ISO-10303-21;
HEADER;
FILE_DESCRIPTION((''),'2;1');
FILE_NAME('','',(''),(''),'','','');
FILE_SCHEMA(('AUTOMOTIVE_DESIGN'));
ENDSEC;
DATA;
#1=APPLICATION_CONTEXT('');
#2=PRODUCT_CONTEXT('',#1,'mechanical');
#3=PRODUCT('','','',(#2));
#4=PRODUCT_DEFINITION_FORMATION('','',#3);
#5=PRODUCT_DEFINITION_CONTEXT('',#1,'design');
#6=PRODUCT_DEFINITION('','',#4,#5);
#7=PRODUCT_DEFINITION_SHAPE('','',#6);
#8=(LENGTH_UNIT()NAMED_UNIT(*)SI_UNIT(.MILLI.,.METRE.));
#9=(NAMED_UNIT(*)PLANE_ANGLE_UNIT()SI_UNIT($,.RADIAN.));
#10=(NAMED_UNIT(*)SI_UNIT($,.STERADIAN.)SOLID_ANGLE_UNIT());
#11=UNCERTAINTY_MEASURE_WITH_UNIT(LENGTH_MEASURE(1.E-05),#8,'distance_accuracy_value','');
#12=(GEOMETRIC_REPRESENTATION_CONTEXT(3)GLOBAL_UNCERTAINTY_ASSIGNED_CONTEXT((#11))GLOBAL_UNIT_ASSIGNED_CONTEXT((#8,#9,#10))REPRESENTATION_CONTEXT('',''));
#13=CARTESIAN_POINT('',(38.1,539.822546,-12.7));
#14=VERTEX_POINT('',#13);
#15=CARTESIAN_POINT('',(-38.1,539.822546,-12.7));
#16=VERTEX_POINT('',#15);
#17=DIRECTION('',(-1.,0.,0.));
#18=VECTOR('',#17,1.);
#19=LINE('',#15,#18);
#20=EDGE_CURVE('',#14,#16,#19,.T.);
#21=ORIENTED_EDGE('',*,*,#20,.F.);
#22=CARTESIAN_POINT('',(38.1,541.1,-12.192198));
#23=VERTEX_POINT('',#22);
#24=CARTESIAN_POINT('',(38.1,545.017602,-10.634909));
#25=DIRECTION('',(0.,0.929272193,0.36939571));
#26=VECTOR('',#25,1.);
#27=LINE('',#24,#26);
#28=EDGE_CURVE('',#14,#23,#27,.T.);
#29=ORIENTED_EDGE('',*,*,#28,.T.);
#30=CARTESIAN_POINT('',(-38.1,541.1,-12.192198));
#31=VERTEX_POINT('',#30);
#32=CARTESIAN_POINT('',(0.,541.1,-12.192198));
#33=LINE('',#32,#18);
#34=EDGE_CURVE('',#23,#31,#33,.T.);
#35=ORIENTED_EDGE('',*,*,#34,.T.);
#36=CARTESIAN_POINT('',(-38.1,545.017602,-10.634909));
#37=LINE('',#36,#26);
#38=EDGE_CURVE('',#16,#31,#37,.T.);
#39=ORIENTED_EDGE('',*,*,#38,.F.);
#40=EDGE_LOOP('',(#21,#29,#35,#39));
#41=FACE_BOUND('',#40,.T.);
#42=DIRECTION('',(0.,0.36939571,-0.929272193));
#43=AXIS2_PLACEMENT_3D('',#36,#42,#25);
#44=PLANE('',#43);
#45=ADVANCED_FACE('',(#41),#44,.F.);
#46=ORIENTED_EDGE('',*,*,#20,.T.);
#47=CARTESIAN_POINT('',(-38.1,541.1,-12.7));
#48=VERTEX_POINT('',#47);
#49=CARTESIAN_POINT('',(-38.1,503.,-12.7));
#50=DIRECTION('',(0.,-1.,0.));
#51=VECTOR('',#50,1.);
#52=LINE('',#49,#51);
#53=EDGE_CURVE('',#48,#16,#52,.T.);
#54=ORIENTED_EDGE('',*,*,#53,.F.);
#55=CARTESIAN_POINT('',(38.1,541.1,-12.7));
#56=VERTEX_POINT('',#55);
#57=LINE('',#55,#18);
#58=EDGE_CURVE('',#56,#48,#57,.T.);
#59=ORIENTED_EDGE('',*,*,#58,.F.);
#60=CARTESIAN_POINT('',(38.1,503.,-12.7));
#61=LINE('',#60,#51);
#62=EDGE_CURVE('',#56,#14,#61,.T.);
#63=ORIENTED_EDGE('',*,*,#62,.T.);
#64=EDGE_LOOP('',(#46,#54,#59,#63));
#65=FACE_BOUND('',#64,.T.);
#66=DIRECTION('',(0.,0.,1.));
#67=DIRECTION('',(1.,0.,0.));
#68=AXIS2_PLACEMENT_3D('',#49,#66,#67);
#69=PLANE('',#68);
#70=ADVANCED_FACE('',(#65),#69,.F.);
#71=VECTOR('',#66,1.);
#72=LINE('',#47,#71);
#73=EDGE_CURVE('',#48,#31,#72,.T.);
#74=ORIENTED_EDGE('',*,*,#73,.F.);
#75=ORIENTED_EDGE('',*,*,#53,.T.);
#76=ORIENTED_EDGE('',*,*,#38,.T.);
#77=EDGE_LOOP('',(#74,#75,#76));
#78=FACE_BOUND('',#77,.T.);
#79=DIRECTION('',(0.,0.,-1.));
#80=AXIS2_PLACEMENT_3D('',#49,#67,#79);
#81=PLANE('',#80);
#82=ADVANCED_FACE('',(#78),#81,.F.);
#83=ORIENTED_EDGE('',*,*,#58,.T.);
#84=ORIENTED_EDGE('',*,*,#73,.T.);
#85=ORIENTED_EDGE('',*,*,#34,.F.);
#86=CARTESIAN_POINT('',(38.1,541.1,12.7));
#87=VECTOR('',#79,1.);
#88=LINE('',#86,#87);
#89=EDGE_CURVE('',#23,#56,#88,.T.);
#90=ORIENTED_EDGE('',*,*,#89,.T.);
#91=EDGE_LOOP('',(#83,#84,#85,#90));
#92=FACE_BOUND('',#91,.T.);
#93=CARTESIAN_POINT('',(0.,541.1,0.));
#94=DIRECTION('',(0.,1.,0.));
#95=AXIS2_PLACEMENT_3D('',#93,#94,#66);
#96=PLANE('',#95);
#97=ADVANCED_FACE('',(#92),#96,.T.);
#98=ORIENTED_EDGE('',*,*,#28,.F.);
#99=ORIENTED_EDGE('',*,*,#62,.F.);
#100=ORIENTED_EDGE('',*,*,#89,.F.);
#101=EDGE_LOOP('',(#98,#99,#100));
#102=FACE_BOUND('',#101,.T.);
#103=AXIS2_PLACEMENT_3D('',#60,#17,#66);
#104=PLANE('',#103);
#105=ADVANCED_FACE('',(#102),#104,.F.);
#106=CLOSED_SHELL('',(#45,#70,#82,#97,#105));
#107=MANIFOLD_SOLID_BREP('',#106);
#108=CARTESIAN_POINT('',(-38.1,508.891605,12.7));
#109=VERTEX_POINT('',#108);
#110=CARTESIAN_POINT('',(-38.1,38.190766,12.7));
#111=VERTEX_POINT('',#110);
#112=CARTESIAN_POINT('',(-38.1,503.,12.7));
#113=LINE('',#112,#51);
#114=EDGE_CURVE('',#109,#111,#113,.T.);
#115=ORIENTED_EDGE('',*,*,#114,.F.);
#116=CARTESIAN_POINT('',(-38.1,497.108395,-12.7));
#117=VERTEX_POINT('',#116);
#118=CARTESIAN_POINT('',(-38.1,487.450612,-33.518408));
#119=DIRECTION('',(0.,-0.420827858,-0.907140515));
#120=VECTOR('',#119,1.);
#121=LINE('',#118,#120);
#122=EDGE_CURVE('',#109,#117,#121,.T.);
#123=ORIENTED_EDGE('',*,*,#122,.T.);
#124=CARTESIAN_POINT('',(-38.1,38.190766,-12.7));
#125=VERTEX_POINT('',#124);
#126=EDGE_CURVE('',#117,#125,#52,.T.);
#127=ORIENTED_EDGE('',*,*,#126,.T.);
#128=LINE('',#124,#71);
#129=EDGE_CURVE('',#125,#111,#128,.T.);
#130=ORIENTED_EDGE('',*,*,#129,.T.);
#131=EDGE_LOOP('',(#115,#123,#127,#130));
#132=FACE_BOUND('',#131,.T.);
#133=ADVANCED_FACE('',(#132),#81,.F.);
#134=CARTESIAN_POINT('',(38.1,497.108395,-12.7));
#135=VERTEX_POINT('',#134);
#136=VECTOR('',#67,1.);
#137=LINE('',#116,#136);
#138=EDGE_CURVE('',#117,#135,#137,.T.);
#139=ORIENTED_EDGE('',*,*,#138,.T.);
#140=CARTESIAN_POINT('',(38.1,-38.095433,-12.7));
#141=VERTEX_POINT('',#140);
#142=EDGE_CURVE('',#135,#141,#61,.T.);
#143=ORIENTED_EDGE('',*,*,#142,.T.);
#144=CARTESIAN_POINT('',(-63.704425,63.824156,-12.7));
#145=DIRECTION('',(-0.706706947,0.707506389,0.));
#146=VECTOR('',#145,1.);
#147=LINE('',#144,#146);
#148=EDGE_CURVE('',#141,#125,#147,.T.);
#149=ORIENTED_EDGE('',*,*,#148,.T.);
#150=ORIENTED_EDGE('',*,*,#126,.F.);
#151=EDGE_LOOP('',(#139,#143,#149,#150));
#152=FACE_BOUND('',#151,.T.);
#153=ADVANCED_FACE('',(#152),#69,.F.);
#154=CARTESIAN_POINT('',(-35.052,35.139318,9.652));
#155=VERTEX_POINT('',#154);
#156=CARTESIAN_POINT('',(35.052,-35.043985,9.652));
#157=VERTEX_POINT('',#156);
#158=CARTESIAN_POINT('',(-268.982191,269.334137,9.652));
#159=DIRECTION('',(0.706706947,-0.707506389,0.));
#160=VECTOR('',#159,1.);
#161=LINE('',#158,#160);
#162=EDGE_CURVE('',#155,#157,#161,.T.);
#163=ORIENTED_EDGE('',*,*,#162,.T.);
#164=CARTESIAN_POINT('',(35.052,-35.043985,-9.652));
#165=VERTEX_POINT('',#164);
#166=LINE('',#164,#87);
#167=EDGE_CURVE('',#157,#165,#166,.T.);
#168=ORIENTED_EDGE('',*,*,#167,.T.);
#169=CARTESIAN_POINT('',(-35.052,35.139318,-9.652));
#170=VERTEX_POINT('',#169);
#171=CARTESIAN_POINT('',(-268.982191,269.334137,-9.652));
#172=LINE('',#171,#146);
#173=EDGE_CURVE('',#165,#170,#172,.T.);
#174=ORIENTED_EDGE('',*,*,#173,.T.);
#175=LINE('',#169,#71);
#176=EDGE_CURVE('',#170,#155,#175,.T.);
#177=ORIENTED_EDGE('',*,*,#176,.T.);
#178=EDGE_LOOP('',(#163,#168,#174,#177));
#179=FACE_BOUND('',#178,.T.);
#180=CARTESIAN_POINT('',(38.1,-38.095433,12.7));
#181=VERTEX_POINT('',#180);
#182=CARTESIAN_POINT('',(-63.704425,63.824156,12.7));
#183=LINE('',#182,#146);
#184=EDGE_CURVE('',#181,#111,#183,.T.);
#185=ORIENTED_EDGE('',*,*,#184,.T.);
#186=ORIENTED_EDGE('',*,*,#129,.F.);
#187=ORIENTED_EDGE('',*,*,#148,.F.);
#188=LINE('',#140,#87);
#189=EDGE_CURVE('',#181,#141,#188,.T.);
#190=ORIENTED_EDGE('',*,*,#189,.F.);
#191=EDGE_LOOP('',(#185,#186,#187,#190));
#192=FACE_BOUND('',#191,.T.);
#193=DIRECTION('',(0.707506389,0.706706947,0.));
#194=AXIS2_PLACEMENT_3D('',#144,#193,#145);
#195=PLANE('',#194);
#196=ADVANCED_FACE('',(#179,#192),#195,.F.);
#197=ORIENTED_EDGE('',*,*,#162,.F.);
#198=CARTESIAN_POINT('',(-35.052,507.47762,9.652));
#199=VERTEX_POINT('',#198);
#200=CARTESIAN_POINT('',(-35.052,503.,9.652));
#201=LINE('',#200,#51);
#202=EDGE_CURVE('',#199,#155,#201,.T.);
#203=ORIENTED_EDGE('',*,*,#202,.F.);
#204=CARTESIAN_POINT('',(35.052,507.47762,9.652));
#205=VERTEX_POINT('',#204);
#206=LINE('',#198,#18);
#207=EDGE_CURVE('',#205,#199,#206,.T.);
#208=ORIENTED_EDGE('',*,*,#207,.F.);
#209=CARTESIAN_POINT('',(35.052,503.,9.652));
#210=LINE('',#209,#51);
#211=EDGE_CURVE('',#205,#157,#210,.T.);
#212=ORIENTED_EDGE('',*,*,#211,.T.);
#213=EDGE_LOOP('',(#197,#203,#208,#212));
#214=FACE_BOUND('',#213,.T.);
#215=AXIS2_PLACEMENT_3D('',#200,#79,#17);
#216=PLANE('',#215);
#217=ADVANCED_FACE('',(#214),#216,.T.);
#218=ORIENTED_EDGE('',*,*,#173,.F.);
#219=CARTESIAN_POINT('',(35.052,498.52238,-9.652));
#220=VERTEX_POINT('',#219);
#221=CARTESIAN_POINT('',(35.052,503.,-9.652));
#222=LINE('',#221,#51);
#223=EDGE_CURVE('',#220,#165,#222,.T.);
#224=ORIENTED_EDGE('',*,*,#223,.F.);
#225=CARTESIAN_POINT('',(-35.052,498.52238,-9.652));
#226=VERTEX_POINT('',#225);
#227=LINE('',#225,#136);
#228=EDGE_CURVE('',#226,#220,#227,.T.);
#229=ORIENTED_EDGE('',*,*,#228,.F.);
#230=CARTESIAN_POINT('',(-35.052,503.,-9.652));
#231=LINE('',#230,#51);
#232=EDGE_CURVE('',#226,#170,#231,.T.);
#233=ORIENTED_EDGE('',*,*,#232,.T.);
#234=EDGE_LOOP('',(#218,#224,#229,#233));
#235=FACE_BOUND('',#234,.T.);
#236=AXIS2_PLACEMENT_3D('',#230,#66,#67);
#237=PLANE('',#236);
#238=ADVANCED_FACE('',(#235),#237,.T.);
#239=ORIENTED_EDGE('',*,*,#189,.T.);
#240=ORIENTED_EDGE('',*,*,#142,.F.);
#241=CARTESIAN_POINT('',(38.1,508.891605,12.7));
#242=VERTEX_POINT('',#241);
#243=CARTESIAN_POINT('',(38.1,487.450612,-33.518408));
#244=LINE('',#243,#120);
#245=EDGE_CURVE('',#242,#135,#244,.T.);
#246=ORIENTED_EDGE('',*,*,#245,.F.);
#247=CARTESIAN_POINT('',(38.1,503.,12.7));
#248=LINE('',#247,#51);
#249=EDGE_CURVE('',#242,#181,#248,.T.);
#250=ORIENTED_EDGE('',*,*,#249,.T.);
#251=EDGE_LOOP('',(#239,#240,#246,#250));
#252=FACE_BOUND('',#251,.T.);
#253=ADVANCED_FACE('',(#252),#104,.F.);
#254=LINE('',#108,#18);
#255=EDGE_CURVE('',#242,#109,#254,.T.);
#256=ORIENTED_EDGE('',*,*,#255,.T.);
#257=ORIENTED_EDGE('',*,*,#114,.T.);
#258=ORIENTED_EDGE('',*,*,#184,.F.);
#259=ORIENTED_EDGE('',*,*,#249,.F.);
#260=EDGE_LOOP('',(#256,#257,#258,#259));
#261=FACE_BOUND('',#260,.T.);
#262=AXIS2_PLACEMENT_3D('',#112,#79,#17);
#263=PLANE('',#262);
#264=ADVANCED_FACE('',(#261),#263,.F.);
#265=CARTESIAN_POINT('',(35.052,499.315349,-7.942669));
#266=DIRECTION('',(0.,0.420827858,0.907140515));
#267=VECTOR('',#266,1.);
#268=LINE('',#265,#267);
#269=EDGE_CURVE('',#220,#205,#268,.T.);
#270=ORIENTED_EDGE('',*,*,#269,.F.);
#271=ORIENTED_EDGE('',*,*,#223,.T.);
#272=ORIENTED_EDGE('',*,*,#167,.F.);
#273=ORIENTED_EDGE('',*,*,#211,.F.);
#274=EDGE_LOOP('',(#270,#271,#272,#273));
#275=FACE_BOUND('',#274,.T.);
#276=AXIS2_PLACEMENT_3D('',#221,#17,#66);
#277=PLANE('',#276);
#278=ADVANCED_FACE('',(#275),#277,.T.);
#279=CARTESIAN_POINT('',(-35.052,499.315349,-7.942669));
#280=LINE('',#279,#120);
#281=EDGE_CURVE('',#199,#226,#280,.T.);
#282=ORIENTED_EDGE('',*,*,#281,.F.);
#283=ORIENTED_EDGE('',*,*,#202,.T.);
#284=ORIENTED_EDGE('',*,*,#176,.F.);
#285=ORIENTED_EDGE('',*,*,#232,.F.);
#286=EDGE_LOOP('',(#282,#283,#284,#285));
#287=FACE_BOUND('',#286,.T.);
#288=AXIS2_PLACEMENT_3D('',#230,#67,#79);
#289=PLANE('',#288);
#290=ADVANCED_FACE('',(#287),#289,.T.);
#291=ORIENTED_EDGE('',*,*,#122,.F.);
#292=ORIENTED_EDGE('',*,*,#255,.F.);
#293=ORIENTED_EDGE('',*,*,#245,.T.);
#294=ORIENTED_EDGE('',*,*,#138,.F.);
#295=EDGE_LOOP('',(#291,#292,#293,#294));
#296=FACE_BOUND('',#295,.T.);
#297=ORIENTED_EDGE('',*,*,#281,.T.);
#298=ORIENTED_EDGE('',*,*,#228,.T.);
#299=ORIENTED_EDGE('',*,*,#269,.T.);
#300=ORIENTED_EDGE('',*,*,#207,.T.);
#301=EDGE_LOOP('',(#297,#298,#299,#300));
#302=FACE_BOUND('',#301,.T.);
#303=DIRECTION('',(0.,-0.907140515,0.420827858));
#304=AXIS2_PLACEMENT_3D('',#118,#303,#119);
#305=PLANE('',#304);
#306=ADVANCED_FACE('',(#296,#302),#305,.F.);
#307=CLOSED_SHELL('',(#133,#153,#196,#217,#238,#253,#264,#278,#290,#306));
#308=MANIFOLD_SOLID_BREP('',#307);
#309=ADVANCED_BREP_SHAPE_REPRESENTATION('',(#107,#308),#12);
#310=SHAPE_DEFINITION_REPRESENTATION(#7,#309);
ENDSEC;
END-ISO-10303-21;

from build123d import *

# Parameters (mm, degrees)
SKETCH1_W               = 76.2
SKETCH1_H               = 25.4
SKETCH1_W_2             = 70.104
SKETCH1_H_2             = 19.304
BOSS_EXTRUDE1_DEPTH     = 503
SKETCH3_W               = 76.2
SKETCH3_H               = 25.4
SKETCH3_W_2             = 70.104
SKETCH3_H_2             = 19.304
BOSS_EXTRUDE2_DEPTH     = 38.1
SKETCH4_W               = 76.2
SKETCH4_H               = 25.4
SKETCH4_W_2             = 70.104
SKETCH4_H_2             = 19.304
BOSS_EXTRUDE3_DEPTH     = 38.1
CUT_EXTRUDE1_DEPTH      = 13.7
CUT_EXTRUDE1_DEPTH_BACK = 13.7
CUT_EXTRUDE2_DEPTH      = 77.2


with BuildPart() as part:
    # Sketch1 → Boss-Extrude1 (new body)
    with BuildSketch(Plane(origin=(0, 0, 0), x_dir=(1, 0, 0), z_dir=(0, 1, 0))):
        Rectangle(SKETCH1_W, SKETCH1_H)
        Rectangle(SKETCH1_W_2, SKETCH1_H_2, mode=Mode.SUBTRACT)
    extrude(amount=BOSS_EXTRUDE1_DEPTH)

    # Sketch3 → Boss-Extrude2 (add)
    with BuildSketch(Plane.XZ):
        Rectangle(SKETCH3_W, SKETCH3_H)
        Rectangle(SKETCH3_W_2, SKETCH3_H_2, mode=Mode.SUBTRACT)
    extrude(amount=BOSS_EXTRUDE2_DEPTH)

    # Sketch4 → Boss-Extrude3 (add)
    with BuildSketch(Plane(origin=(0, 503, 0), x_dir=(1, 0, 0), z_dir=(0, 1, 0))):
        Rectangle(SKETCH4_W, SKETCH4_H)
        Rectangle(SKETCH4_W_2, SKETCH4_H_2, mode=Mode.SUBTRACT)
    extrude(amount=BOSS_EXTRUDE3_DEPTH)

    # Sketch5 → Cut-Extrude1 (cut, two sides)
    with BuildSketch(Plane.XY) as cut_extrude1_sk:
        Polygon((-63.704425498, 63.824156123), (106.559138903, -106.632014079), (-66.404910458, -106.632014079), align=None)
    extrude(amount=CUT_EXTRUDE1_DEPTH, mode=Mode.SUBTRACT)
    extrude(cut_extrude1_sk.sketch, amount=-CUT_EXTRUDE1_DEPTH_BACK, mode=Mode.SUBTRACT)

    # Sketch6 → Cut-Extrude2 (cut, through all)
    with BuildSketch(Plane(origin=(38.1, 0, 0), x_dir=(0, 0, -1), z_dir=(1, 0, 0))):
        Polygon((33.51840798, 487.450611994), (-43.414005654, 523.140014383), (0, 598.23299359), (10.634909231, 545.017601807), align=None)
    extrude(amount=-CUT_EXTRUDE2_DEPTH, mode=Mode.SUBTRACT)


solid = part.part
